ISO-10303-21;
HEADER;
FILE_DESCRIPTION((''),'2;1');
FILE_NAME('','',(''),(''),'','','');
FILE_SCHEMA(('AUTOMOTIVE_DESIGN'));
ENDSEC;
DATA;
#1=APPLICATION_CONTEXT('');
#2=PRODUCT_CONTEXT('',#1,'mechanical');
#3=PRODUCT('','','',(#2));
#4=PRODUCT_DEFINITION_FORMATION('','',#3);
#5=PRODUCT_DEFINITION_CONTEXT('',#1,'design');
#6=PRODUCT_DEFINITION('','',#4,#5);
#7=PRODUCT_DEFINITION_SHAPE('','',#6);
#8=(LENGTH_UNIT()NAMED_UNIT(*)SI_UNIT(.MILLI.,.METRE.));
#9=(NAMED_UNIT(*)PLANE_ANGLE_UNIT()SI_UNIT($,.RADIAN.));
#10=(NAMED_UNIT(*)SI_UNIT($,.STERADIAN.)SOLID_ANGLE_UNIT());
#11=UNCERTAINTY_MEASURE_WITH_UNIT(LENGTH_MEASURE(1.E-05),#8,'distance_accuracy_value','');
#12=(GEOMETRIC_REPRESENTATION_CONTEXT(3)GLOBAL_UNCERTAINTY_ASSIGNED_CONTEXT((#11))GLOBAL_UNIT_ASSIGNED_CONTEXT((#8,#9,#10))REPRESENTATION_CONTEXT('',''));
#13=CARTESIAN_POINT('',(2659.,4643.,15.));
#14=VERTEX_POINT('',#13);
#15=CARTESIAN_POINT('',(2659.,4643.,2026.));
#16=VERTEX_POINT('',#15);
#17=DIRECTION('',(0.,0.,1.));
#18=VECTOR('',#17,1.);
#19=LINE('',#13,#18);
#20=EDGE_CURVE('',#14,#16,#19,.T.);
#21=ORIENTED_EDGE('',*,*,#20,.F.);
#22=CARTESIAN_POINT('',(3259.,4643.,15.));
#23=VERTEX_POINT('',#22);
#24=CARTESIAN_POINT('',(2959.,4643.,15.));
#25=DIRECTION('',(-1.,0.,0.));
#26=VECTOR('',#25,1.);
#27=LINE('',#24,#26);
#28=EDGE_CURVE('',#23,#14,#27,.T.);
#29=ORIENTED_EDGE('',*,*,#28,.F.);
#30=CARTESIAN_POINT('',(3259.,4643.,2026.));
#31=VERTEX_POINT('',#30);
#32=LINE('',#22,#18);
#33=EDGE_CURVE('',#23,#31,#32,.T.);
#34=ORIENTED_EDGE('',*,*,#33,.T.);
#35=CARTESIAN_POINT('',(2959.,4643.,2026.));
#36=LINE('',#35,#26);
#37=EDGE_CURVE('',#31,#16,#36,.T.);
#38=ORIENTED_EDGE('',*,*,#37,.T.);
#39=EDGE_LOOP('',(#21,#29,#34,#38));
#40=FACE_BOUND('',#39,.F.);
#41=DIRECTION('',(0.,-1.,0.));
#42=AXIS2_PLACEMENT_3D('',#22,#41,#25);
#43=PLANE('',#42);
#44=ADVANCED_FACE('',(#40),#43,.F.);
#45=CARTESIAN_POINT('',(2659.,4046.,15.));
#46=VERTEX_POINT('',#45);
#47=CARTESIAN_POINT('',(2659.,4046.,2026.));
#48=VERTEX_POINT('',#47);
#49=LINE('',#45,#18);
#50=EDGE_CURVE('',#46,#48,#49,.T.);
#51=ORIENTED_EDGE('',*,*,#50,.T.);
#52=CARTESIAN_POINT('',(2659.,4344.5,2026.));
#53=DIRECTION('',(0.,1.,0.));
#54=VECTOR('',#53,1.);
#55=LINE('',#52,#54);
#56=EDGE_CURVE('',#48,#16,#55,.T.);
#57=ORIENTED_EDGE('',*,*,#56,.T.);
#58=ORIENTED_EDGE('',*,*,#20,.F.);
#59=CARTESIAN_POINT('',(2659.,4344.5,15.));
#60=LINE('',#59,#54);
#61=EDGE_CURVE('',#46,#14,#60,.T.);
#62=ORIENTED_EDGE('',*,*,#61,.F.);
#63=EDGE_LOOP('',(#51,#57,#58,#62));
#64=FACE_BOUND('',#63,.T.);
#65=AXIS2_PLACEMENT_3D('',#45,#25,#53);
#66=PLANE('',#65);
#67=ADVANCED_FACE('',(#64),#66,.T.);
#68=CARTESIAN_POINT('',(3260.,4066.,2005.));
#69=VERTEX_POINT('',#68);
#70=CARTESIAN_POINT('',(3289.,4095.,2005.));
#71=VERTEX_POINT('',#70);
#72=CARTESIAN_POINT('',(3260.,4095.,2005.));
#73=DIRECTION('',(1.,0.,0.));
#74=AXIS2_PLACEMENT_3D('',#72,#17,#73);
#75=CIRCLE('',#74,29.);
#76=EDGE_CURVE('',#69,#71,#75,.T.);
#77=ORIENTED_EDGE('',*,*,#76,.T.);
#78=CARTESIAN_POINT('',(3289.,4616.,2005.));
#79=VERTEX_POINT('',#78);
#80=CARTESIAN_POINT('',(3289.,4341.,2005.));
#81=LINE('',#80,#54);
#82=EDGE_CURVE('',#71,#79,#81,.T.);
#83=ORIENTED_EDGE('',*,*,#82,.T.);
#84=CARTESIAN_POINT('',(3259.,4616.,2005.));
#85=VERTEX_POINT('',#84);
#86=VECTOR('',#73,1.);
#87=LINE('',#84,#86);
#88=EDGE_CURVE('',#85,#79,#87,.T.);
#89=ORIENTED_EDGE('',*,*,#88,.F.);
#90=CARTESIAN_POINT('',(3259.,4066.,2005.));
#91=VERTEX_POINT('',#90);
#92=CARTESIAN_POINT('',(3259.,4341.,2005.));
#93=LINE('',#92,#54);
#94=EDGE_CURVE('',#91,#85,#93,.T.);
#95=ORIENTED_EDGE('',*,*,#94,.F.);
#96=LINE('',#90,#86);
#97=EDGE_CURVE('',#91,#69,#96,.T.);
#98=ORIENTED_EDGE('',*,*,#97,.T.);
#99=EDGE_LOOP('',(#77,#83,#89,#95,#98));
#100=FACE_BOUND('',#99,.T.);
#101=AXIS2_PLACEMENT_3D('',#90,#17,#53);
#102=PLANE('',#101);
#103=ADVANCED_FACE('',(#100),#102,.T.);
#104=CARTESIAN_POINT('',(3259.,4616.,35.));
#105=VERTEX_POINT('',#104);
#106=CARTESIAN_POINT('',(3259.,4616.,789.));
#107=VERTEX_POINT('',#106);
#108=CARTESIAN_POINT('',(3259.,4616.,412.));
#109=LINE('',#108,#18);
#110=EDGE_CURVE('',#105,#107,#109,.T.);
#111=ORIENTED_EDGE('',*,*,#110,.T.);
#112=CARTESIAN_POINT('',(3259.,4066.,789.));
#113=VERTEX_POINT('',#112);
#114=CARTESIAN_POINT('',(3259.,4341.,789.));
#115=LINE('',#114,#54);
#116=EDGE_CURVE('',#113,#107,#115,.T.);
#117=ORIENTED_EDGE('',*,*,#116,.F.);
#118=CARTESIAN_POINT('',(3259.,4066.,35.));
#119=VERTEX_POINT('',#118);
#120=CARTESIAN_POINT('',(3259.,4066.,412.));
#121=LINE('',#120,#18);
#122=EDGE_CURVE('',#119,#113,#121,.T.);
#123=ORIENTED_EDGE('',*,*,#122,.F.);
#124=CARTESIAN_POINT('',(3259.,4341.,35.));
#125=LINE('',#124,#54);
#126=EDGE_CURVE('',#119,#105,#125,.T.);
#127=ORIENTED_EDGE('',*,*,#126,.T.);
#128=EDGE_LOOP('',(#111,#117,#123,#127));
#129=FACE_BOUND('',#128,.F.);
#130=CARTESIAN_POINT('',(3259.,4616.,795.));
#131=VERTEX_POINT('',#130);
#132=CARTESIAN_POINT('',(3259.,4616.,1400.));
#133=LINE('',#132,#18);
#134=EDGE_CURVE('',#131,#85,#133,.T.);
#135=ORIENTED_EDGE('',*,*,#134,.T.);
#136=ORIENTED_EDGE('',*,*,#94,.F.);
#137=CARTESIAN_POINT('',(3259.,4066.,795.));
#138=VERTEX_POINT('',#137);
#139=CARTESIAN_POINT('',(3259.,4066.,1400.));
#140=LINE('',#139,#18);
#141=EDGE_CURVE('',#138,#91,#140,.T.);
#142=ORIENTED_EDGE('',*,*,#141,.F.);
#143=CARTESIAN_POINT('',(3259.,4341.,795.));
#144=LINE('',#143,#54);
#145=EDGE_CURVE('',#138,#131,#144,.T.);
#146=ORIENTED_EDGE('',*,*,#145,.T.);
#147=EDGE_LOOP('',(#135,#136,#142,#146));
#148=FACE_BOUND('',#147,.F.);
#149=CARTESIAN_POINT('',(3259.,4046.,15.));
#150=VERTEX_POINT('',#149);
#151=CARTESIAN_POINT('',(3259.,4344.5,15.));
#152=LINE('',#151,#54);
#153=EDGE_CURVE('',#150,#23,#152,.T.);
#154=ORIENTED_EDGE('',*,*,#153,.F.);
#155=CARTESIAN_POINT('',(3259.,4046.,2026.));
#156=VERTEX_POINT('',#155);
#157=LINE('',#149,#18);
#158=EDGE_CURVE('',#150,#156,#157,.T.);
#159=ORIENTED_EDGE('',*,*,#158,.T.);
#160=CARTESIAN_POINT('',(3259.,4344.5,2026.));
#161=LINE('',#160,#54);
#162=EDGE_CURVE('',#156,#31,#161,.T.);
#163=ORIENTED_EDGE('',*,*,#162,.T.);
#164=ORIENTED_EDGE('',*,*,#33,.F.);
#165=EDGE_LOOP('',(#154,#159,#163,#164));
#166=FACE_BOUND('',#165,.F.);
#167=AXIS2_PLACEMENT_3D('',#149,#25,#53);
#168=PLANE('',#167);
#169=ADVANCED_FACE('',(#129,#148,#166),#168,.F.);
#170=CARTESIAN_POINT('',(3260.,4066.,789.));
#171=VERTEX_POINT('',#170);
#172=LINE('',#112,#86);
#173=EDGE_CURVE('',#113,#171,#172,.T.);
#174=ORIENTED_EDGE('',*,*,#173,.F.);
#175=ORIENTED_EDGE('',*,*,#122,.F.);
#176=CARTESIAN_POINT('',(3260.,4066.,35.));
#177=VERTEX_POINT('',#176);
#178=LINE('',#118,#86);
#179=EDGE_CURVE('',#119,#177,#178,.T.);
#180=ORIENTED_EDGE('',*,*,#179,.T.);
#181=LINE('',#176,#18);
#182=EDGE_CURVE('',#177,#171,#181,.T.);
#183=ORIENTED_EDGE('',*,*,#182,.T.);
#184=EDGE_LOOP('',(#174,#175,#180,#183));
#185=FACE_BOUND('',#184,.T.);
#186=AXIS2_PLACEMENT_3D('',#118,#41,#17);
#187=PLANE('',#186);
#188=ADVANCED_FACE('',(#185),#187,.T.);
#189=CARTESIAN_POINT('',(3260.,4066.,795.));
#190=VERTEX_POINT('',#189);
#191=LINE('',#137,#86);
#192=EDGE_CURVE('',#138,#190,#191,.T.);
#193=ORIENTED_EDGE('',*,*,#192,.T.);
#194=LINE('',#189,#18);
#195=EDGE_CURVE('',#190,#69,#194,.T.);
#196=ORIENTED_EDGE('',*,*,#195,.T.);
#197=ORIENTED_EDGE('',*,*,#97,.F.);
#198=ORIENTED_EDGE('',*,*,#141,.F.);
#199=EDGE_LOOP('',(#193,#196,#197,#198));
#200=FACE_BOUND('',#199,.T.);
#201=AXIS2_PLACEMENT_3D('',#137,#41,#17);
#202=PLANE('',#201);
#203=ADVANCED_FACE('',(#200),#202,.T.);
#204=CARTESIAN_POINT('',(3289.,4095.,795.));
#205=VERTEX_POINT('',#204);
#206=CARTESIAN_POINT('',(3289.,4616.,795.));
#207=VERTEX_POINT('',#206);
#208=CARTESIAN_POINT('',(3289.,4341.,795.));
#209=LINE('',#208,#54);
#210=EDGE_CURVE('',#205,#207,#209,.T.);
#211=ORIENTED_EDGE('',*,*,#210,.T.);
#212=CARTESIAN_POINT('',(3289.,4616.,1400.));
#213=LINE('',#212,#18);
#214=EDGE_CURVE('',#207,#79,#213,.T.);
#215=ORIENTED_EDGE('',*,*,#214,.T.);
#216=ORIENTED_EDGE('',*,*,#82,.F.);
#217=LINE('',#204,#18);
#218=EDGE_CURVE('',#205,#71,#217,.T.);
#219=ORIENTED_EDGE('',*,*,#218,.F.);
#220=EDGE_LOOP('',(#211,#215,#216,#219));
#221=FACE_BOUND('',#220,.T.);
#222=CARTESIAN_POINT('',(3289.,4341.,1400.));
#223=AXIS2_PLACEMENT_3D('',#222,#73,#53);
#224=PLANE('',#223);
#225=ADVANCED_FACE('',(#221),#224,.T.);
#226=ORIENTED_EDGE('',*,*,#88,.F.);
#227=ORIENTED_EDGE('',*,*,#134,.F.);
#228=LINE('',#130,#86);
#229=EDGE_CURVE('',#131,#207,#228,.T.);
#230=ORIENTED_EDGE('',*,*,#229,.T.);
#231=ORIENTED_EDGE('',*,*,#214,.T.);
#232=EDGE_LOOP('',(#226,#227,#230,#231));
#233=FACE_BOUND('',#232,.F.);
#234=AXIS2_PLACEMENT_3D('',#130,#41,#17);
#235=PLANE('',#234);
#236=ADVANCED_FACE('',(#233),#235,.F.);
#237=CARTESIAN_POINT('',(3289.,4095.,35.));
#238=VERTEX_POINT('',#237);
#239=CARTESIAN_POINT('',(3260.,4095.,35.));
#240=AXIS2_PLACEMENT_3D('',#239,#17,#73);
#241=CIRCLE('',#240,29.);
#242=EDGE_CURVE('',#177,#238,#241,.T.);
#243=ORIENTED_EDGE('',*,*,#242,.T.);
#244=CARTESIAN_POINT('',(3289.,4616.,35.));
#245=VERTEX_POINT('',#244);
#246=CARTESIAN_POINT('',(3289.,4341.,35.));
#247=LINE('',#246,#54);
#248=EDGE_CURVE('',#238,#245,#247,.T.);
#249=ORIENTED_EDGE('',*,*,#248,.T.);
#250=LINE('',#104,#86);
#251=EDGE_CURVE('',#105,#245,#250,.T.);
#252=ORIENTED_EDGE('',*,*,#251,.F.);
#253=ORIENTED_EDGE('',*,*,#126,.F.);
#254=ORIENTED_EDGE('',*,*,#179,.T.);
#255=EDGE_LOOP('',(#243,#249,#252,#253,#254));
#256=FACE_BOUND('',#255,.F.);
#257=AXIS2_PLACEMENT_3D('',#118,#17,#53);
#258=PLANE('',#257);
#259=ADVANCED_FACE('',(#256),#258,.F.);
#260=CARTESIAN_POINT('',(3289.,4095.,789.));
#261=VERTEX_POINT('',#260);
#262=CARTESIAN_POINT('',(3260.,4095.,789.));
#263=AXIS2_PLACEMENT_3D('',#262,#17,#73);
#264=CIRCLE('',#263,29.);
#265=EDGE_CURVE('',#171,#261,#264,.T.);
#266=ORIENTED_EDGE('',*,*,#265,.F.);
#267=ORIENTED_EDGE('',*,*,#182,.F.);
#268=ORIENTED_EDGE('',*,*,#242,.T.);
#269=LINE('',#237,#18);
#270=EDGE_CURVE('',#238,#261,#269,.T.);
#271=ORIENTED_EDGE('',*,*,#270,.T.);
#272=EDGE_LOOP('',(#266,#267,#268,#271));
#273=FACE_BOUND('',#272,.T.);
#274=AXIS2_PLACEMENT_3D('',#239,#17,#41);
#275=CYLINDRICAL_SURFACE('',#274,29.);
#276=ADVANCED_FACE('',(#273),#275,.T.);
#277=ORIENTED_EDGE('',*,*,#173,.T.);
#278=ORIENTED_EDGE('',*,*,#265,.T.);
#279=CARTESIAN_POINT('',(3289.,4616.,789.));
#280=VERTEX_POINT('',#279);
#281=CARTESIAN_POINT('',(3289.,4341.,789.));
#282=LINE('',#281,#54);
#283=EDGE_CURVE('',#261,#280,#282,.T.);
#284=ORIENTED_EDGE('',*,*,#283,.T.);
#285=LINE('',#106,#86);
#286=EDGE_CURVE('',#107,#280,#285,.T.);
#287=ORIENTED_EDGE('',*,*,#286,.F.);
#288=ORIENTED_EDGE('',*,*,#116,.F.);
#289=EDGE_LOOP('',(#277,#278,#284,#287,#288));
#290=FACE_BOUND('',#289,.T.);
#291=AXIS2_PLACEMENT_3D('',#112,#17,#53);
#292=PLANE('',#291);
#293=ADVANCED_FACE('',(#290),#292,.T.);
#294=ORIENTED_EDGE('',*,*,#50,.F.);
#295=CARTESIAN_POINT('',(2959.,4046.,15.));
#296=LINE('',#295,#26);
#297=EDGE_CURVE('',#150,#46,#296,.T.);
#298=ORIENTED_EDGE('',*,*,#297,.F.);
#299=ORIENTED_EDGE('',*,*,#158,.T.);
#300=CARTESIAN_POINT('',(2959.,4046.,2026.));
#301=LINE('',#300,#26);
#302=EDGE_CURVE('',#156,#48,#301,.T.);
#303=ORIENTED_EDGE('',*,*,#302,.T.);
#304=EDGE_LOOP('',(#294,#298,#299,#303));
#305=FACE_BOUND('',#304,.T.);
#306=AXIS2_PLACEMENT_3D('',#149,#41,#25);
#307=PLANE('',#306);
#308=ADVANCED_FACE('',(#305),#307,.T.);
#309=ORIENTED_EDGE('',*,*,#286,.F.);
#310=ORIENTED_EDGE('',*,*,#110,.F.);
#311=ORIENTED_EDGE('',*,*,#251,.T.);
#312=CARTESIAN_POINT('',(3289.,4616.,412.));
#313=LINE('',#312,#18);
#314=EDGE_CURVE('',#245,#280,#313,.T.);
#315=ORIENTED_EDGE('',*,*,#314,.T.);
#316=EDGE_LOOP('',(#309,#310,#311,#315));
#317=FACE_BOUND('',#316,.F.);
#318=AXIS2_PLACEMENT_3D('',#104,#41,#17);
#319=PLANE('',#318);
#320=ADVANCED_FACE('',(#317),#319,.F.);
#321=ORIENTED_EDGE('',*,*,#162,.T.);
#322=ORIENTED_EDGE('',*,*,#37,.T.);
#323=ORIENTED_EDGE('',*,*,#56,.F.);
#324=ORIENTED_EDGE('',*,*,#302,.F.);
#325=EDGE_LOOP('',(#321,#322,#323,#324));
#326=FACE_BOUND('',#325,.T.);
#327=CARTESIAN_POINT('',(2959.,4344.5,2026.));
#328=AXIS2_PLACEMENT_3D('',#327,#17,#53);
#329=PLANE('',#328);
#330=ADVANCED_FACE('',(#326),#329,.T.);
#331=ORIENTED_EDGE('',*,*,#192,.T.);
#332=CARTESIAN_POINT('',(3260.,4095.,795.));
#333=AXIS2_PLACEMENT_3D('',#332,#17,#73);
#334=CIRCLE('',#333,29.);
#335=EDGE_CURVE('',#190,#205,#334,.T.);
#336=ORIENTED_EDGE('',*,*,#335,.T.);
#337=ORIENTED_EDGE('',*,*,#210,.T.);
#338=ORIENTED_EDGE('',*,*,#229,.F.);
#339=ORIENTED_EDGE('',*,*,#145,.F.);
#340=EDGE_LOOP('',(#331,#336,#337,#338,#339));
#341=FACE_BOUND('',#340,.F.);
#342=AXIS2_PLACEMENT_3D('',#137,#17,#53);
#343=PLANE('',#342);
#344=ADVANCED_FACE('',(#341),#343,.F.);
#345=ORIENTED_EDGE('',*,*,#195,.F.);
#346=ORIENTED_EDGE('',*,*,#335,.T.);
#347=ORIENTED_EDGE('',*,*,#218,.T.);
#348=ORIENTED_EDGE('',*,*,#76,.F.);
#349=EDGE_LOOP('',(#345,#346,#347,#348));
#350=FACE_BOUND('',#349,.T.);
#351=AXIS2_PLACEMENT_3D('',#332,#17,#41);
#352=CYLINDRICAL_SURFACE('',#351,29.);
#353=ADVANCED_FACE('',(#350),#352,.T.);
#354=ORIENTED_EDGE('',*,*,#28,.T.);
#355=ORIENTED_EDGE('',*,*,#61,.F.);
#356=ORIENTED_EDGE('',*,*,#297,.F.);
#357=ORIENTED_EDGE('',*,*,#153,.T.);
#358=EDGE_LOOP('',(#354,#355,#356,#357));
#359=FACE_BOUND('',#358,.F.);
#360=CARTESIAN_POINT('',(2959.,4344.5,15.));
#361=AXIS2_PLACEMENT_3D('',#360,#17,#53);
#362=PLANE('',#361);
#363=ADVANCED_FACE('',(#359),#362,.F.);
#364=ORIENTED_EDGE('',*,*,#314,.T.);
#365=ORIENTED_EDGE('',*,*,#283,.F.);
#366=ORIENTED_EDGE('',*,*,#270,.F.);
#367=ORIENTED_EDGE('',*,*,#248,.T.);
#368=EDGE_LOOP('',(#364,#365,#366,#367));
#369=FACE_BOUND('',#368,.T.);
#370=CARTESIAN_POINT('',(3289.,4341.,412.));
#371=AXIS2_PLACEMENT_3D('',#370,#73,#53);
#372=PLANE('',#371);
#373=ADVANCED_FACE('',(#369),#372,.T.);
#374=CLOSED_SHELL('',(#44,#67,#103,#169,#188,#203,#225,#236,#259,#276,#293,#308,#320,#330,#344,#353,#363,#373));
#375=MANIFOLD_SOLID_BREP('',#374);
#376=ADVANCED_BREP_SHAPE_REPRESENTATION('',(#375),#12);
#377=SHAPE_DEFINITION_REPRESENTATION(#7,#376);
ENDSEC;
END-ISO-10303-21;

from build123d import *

# Parameters (mm, degrees)
SKETCH627_W             = 597
SKETCH627_H             = 600
PAD300_DEPTH            = 2011
SKETCH628_W             = 550
SKETCH628_H             = 1210
PAD301_DEPTH            = 30
FILLET211_R             = 29
SKETCH629_W             = 550
SKETCH629_H             = 754
PAD302_DEPTH            = 30
FILLET212_R             = 29
BODY127_PLACEMENT_ANGLE = 90


with BuildPart() as part:
    # Sketch627 → Pad300 (new body)
    with BuildSketch(Plane.XY):
        with Locations((298.5, 300)):
            Rectangle(SKETCH627_W, SKETCH627_H)
    extrude(amount=PAD300_DEPTH)

    # Sketch628 (on Face1 of Pad300) → Pad301 (join)
    with BuildSketch(Plane.XZ):
        with Locations((295, 1385)):
            Rectangle(SKETCH628_W, SKETCH628_H)
    extrude(amount=PAD301_DEPTH)

    # Fillet211
    fillet211_edges = [part.edges().sort_by_distance(p)[0] for p in [
        (20, -30, 1385),
    ]]
    fillet(fillet211_edges, radius=FILLET211_R)

    # Sketch629 (on Face4 of Fillet211) → Pad302 (join)
    with BuildSketch(Plane.XZ):
        with Locations((295, 397)):
            Rectangle(SKETCH629_W, SKETCH629_H)
    extrude(amount=PAD302_DEPTH)

    # Fillet212
    fillet212_edges = [part.edges().sort_by_distance(p)[0] for p in [
        (20, -30, 397),
    ]]
    fillet(fillet212_edges, radius=FILLET212_R)


with BuildPart() as part_1:
    # Body127 placement: moved
    add(part.part.moved(Location((3259, 4046, 15))).rotate(Axis((3259, 4046, 15), (0, 0, 1)), BODY127_PLACEMENT_ANGLE))


solid = part_1.part
